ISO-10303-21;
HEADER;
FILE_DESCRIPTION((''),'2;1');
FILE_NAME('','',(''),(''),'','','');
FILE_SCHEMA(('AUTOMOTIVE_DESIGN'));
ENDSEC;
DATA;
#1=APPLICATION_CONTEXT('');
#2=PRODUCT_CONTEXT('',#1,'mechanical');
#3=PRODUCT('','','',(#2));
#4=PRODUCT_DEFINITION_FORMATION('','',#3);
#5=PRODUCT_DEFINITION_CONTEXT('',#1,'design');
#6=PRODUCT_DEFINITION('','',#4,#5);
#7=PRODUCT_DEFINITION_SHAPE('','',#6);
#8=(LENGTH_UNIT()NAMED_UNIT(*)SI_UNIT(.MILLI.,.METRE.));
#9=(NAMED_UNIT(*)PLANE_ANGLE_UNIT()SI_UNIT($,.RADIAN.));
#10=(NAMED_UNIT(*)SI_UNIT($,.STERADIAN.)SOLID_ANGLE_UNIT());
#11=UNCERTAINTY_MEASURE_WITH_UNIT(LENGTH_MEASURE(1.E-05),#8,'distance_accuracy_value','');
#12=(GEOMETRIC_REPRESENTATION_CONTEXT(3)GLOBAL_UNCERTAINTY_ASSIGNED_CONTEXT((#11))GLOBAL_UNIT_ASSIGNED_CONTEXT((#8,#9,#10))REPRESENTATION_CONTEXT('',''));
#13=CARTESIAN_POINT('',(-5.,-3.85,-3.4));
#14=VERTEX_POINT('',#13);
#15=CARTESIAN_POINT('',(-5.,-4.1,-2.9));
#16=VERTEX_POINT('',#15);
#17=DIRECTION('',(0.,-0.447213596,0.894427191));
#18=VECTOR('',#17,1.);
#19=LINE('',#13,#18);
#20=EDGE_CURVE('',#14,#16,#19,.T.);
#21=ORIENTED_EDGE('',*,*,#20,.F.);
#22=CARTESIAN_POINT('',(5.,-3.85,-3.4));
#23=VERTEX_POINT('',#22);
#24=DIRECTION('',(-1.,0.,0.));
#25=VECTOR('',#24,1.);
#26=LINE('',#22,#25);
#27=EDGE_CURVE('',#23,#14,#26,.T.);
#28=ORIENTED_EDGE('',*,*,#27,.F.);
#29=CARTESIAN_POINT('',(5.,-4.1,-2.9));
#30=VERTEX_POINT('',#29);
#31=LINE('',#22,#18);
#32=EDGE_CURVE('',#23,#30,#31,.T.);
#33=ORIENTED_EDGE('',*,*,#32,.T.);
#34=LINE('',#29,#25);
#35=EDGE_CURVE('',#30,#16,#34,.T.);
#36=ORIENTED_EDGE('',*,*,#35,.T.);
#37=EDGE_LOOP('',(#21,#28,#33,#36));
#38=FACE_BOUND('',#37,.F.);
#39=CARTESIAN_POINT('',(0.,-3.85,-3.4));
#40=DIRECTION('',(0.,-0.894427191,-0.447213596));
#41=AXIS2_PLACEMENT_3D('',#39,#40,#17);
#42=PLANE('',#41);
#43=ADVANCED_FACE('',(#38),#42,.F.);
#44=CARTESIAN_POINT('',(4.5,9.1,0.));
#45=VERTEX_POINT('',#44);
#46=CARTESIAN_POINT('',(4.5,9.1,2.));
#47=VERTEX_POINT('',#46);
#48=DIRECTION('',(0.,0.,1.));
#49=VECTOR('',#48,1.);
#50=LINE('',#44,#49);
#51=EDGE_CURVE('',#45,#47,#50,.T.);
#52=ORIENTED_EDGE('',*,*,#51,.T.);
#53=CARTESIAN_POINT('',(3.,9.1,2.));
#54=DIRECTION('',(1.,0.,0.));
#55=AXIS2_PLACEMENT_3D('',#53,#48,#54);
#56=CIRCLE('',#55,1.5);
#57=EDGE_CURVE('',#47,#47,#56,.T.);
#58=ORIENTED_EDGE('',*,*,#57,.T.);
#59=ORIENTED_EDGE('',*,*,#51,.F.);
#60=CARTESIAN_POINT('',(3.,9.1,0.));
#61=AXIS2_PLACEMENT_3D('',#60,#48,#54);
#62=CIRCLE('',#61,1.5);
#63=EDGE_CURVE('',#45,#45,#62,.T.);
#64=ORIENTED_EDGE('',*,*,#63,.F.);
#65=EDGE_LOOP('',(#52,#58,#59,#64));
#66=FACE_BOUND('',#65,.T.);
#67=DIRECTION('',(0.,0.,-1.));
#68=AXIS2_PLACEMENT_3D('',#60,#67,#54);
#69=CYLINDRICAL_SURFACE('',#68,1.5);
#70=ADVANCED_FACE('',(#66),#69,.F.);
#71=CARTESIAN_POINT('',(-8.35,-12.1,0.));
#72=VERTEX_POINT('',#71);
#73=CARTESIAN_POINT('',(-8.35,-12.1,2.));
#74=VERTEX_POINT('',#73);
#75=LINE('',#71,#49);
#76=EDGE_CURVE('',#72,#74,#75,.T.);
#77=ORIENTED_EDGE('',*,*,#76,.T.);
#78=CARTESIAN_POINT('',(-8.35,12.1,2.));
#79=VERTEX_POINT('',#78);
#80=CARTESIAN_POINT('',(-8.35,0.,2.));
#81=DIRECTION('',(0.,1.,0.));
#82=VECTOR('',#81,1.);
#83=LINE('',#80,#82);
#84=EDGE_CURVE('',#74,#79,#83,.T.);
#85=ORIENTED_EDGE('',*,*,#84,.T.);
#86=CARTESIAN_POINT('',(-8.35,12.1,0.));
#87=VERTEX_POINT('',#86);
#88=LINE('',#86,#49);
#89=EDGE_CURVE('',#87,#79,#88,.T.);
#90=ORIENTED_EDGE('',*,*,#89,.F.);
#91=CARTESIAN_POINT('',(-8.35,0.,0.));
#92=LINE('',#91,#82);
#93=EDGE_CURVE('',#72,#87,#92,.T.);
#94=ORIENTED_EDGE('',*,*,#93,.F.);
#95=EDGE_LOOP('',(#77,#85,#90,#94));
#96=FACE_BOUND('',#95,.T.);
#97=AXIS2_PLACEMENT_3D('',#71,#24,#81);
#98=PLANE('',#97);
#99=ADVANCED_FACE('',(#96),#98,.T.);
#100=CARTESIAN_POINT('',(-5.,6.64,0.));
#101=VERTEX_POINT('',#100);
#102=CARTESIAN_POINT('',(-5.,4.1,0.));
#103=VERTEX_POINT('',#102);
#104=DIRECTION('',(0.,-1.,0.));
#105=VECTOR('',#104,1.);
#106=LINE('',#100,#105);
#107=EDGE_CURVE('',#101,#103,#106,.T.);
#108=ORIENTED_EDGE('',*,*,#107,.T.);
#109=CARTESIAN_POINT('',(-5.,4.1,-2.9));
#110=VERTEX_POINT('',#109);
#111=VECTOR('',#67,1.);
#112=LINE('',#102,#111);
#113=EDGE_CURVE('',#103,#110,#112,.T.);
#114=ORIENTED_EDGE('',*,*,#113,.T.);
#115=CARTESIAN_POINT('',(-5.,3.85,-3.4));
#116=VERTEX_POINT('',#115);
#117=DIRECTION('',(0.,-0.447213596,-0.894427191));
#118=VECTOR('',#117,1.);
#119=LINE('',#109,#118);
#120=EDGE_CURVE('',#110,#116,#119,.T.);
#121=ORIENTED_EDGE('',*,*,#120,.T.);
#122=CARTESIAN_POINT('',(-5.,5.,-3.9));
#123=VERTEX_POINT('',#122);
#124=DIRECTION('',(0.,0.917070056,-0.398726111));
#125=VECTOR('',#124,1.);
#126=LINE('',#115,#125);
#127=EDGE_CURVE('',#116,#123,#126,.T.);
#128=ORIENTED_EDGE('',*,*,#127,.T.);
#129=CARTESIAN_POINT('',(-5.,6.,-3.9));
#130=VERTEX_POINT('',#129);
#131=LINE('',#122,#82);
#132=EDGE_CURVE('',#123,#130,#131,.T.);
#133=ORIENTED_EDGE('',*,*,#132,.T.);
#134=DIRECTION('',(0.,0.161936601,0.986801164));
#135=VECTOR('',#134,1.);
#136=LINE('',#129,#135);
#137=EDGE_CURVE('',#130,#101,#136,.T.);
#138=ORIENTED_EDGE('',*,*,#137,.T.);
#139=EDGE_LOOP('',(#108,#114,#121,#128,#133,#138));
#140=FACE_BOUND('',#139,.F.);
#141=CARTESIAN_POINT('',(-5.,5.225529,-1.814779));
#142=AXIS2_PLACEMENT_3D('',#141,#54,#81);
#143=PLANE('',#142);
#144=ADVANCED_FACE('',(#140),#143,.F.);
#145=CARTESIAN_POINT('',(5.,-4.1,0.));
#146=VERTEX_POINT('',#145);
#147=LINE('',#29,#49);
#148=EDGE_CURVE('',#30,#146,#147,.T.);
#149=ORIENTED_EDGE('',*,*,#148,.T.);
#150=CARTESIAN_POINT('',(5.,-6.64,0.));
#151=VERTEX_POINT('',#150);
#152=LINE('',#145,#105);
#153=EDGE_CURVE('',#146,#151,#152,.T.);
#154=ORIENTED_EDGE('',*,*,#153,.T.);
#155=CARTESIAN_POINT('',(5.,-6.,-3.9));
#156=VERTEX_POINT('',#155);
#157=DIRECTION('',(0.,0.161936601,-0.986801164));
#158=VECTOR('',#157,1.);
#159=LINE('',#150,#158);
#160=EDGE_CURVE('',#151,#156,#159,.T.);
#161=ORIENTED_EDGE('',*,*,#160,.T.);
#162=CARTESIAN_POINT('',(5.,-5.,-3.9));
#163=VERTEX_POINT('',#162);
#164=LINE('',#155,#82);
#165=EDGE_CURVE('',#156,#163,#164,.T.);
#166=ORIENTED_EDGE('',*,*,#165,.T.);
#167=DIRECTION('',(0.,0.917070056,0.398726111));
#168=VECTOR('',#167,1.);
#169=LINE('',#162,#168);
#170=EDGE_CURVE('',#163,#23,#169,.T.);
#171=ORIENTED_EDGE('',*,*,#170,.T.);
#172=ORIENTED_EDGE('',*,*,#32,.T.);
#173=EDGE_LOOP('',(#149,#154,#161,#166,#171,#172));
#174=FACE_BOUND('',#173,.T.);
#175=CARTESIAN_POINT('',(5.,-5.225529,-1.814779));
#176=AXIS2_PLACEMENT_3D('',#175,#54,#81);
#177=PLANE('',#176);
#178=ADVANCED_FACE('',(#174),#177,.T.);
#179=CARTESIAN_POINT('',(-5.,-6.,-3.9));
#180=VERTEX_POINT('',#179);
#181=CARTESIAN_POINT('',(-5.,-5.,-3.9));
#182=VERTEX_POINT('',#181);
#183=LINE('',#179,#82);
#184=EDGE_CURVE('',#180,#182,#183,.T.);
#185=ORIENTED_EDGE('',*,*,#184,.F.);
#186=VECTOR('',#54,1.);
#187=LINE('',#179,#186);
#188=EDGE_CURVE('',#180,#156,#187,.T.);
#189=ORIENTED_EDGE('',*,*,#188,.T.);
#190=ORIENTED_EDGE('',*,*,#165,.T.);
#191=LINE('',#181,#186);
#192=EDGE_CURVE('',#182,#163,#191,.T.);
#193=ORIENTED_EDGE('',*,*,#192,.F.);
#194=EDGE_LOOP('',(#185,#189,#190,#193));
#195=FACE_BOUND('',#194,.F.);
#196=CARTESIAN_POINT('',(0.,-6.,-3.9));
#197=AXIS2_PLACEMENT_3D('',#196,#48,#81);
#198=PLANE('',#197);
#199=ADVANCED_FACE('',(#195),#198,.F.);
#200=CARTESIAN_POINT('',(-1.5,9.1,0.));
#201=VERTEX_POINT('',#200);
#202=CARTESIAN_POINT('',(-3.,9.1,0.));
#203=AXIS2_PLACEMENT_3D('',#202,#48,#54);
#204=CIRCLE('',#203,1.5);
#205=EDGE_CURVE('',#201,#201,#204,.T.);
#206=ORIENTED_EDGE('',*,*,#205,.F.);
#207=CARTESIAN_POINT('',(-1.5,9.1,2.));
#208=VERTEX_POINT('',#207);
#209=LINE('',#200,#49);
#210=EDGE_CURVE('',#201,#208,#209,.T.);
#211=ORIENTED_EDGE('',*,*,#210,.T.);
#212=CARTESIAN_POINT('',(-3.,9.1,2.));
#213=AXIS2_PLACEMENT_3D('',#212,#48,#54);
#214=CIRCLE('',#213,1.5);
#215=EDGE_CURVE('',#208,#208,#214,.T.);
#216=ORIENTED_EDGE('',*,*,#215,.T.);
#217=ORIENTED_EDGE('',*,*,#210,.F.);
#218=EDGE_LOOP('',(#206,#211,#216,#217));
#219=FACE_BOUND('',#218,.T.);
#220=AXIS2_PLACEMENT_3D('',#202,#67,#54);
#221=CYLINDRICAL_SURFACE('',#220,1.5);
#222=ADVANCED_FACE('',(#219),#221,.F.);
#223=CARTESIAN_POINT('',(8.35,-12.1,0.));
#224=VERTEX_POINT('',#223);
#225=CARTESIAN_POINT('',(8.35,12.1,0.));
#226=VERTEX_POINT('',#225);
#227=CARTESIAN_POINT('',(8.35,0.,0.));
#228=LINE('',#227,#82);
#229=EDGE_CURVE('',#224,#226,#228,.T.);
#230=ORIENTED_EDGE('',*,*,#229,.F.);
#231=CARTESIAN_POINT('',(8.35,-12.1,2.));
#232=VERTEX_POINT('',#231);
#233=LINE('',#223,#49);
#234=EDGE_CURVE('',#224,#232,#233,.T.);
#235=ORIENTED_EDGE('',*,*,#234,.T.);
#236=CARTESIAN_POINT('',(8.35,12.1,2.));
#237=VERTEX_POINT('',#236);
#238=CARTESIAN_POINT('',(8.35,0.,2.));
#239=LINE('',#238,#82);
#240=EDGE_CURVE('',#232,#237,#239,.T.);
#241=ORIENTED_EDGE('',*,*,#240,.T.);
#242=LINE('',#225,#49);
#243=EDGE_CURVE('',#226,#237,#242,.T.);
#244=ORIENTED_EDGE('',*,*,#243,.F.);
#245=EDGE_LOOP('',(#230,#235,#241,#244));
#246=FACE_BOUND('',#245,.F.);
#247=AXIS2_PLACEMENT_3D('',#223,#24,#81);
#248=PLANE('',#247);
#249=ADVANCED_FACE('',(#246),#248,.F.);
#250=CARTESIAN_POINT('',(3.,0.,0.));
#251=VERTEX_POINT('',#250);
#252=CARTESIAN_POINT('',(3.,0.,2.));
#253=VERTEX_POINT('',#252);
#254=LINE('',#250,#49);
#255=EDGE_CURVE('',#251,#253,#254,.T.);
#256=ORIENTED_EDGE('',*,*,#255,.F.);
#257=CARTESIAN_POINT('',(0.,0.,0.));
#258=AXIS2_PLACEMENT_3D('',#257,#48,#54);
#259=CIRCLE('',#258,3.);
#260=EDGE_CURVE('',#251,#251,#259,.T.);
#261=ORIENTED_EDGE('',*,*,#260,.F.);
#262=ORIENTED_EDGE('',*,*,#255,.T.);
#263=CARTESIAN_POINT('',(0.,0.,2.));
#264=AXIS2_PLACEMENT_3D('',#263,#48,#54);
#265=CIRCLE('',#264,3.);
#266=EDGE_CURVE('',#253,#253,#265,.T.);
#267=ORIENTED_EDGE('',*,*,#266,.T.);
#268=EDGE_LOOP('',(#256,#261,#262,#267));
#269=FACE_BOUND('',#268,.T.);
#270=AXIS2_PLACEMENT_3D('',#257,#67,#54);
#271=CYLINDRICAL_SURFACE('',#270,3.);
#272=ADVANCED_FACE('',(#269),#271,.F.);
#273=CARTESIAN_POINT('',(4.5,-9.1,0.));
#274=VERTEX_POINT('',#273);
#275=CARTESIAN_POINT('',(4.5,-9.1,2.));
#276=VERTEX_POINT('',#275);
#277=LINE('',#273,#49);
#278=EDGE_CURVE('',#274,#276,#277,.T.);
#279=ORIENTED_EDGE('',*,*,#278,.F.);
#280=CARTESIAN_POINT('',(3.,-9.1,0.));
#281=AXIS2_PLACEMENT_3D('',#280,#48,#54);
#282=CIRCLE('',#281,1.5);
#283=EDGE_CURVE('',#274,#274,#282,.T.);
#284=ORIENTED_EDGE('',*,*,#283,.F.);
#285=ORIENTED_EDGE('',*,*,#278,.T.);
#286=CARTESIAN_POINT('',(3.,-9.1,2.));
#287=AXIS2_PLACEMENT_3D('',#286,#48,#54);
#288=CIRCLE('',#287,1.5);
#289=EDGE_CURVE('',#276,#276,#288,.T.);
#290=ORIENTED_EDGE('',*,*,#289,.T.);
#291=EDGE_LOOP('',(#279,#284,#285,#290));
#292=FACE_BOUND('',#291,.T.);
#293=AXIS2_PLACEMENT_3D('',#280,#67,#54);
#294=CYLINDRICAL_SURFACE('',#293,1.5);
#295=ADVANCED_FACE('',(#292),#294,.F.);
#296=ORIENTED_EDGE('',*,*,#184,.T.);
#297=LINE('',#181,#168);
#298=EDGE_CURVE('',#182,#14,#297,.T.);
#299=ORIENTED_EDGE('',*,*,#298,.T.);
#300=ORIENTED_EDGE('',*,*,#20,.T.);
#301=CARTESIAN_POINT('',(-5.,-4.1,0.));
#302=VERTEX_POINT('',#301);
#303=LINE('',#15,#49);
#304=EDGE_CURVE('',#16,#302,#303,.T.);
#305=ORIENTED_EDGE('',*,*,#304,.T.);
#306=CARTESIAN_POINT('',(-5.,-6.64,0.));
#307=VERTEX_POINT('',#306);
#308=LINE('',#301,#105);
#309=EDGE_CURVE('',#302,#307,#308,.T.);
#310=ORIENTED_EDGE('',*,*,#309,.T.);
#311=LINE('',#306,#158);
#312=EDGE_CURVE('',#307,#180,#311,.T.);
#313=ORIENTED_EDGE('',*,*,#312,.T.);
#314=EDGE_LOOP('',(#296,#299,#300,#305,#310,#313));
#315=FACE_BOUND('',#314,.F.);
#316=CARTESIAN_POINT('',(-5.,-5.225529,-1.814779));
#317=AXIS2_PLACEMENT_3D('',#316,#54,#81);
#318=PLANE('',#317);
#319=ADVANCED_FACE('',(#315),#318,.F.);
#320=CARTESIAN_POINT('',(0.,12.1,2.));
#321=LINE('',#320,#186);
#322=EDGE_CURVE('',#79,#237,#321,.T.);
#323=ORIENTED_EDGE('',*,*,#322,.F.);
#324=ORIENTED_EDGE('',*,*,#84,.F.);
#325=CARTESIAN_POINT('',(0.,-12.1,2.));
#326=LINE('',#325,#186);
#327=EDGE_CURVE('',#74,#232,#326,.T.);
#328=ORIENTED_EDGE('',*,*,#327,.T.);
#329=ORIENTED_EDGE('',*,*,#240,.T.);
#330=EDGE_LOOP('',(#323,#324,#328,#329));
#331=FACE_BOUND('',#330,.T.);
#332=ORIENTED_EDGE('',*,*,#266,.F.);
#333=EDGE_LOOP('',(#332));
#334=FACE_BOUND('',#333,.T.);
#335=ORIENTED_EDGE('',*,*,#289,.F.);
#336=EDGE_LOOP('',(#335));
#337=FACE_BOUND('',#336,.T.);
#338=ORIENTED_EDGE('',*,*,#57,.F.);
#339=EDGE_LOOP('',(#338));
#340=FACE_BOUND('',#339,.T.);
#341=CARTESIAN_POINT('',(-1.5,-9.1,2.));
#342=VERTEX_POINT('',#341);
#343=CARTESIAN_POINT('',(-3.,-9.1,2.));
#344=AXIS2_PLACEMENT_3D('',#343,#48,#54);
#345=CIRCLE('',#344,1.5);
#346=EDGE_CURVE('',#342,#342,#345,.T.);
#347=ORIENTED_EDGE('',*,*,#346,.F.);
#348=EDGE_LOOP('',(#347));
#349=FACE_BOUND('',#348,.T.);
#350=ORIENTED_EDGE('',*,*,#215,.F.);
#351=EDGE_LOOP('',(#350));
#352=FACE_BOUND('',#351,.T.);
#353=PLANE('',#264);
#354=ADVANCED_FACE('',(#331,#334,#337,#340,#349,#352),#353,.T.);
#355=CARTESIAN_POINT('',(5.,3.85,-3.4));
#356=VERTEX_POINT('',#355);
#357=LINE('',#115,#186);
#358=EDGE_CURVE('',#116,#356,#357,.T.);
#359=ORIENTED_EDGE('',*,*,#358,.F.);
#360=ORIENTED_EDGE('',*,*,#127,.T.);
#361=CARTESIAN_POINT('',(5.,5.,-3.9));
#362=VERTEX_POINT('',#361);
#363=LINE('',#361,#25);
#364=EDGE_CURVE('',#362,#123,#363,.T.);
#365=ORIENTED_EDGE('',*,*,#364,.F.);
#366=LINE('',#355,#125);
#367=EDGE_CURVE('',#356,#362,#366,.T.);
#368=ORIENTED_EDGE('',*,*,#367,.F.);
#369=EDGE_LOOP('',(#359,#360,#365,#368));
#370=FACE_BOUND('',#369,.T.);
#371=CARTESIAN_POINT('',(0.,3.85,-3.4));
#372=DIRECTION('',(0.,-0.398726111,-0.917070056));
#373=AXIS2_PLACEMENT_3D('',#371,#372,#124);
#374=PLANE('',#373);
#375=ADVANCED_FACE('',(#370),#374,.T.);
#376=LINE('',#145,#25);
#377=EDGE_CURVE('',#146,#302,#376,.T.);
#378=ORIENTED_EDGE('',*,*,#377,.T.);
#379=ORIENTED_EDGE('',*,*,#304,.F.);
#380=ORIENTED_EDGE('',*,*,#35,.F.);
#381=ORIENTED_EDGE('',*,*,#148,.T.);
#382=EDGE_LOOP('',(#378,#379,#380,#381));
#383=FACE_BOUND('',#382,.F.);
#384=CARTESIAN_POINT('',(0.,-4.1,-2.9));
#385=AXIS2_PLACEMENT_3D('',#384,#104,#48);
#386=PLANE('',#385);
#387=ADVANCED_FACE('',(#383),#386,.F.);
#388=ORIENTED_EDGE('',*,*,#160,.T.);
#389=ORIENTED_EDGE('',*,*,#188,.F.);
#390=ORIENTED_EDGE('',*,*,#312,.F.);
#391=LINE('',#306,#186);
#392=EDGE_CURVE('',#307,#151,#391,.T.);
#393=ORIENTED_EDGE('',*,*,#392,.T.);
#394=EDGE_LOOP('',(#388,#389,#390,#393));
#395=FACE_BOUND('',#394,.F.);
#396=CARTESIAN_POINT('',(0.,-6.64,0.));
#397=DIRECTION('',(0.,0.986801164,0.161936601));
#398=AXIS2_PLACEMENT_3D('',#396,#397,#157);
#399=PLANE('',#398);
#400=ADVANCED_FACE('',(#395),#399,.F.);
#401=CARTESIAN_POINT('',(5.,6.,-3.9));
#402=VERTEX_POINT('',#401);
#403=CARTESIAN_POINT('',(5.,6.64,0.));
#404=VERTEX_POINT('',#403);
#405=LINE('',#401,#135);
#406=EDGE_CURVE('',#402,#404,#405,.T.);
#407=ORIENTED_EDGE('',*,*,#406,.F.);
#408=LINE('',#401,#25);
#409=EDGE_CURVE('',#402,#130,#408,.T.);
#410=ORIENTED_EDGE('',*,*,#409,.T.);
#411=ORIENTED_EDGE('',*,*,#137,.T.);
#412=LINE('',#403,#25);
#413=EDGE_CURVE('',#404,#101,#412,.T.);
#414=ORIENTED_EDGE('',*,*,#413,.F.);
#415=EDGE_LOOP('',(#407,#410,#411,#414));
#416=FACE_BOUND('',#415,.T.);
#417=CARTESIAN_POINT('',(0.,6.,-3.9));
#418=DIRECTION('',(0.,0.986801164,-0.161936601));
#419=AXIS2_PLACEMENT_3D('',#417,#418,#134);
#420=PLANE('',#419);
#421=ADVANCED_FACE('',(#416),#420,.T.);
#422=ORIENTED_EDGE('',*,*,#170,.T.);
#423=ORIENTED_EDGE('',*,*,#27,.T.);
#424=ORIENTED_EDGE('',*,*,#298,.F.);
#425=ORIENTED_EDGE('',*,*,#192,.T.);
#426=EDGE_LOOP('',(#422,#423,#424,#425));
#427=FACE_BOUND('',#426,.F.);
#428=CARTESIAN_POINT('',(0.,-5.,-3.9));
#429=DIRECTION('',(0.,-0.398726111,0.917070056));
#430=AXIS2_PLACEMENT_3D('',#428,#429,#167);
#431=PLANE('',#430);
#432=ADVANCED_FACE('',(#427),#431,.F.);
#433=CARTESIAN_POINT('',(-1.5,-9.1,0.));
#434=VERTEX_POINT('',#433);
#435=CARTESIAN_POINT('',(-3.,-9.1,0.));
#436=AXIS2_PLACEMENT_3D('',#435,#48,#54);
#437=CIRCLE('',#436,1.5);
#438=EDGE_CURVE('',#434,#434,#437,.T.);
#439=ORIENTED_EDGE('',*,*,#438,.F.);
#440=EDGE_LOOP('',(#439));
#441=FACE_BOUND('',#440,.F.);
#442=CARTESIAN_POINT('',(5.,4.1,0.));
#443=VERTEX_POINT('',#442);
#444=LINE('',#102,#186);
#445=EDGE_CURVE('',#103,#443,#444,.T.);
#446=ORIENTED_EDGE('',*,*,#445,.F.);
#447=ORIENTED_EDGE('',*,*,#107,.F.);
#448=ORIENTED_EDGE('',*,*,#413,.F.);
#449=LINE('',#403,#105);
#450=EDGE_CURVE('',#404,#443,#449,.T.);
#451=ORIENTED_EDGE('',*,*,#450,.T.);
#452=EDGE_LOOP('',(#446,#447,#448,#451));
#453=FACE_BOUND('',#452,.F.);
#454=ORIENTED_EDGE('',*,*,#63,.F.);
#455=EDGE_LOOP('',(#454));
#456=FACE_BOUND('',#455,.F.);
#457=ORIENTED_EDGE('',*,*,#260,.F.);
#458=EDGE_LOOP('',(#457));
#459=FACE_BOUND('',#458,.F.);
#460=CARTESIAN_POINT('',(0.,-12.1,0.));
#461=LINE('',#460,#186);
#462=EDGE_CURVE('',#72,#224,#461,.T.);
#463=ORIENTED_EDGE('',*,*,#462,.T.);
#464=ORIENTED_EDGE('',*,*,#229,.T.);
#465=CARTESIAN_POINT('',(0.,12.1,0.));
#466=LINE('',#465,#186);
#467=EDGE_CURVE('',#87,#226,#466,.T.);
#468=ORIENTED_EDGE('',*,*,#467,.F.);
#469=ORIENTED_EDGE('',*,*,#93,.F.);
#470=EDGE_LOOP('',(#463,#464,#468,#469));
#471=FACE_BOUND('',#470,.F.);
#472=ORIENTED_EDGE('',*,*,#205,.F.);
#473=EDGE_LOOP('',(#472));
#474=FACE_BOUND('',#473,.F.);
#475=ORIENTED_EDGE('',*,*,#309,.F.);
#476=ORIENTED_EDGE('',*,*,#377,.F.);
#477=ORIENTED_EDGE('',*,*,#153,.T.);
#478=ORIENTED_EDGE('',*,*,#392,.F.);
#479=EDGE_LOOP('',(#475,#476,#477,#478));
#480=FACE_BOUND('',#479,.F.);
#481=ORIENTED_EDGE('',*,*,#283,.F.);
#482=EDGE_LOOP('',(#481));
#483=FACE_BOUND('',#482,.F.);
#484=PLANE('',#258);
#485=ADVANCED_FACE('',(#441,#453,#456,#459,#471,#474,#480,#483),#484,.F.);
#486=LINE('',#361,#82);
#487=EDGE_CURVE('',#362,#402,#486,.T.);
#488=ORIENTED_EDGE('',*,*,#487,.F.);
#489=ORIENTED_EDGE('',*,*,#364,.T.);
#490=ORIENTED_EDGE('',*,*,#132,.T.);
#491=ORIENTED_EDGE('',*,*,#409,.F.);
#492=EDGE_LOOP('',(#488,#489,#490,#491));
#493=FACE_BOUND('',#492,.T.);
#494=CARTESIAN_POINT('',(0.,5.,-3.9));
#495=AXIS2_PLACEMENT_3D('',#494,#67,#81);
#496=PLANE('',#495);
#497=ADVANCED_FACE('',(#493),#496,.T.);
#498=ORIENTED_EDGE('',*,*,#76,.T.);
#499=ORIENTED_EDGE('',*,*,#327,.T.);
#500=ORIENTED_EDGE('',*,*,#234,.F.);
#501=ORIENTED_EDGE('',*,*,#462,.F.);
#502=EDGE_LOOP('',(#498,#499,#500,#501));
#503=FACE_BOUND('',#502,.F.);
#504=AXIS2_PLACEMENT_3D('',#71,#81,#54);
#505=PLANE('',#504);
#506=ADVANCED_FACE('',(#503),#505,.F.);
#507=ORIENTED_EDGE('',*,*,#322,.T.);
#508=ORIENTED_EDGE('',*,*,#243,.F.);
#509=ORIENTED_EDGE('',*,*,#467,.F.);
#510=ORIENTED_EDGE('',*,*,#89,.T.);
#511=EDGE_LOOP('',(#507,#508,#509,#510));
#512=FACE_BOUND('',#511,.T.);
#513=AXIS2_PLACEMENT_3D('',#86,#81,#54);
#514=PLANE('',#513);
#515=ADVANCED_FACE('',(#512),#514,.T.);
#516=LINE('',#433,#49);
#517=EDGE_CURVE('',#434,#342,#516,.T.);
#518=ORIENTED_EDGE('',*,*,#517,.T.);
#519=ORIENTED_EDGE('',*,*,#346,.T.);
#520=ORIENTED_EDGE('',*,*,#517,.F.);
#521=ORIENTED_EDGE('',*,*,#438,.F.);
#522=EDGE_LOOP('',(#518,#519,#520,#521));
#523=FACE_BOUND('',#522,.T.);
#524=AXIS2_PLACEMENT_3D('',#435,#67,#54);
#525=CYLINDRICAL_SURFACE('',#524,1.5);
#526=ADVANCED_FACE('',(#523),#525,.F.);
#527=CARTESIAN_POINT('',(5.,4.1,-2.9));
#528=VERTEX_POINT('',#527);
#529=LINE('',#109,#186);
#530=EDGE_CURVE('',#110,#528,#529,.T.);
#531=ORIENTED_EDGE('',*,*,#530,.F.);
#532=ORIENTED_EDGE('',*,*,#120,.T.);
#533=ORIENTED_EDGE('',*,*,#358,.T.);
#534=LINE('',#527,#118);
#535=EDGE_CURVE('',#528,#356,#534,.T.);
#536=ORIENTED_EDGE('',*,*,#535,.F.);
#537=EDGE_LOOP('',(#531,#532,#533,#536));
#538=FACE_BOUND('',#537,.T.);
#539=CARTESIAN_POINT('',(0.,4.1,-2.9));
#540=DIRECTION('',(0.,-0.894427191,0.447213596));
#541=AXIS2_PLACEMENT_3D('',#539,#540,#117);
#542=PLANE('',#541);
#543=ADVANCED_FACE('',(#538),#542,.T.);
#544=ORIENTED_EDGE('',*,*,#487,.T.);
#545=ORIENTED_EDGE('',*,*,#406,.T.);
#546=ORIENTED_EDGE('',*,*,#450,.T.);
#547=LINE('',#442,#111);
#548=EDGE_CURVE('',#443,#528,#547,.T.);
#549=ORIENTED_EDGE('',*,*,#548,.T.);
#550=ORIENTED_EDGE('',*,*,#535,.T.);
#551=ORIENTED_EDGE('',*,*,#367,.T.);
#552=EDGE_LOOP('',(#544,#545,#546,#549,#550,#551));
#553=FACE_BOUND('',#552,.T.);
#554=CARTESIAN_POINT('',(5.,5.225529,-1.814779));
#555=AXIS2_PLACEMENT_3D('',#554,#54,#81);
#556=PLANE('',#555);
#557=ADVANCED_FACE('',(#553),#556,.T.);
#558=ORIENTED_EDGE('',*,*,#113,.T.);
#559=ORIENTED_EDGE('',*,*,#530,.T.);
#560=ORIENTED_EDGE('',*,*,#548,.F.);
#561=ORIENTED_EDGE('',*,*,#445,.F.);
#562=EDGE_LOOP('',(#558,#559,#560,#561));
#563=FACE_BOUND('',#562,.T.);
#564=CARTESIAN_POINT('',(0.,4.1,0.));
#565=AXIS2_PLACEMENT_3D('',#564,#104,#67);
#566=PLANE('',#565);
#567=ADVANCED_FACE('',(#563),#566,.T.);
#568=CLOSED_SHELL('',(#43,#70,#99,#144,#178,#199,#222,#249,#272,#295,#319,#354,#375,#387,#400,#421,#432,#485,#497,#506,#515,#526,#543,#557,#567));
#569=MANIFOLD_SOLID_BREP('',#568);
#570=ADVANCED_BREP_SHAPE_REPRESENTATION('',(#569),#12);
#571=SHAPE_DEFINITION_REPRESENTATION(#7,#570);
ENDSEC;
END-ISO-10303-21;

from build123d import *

# Parameters (mm, degrees)
F0_W     = 16.7
F0_H     = 24.2
F0_R     = 1.5
F0_R_2   = 3
F1_DEPTH = 2
F4_DEPTH = 5


with BuildPart() as f1:
    # F0 (on Top) → F1 (new body)
    with BuildSketch(Plane.XY):
        Rectangle(F0_W, F0_H)
        with Locations((-3, -9.1)):
            Circle(F0_R, mode=Mode.SUBTRACT)
        with Locations((3, -9.1)):
            Circle(F0_R, mode=Mode.SUBTRACT)
        with Locations((-3, 9.1)):
            Circle(F0_R, mode=Mode.SUBTRACT)
        Circle(F0_R_2, mode=Mode.SUBTRACT)
        with Locations((3, 9.1)):
            Circle(F0_R, mode=Mode.SUBTRACT)
    extrude(amount=F1_DEPTH)

    # F3 (on Right) → F4 (join, symmetric)
    with BuildSketch(Plane.YZ):
        Polygon((-4.1, 0), (-6.64, 0), (-6, -3.9), (-5, -3.9), (-3.85, -3.4), (-4.1, -2.9), align=None)
        Polygon((6.64, 0), (4.1, 0), (4.1, -2.9), (3.85, -3.4), (5, -3.9), (6, -3.9), align=None)
    extrude(amount=F4_DEPTH, both=True)


solid = f1.part
